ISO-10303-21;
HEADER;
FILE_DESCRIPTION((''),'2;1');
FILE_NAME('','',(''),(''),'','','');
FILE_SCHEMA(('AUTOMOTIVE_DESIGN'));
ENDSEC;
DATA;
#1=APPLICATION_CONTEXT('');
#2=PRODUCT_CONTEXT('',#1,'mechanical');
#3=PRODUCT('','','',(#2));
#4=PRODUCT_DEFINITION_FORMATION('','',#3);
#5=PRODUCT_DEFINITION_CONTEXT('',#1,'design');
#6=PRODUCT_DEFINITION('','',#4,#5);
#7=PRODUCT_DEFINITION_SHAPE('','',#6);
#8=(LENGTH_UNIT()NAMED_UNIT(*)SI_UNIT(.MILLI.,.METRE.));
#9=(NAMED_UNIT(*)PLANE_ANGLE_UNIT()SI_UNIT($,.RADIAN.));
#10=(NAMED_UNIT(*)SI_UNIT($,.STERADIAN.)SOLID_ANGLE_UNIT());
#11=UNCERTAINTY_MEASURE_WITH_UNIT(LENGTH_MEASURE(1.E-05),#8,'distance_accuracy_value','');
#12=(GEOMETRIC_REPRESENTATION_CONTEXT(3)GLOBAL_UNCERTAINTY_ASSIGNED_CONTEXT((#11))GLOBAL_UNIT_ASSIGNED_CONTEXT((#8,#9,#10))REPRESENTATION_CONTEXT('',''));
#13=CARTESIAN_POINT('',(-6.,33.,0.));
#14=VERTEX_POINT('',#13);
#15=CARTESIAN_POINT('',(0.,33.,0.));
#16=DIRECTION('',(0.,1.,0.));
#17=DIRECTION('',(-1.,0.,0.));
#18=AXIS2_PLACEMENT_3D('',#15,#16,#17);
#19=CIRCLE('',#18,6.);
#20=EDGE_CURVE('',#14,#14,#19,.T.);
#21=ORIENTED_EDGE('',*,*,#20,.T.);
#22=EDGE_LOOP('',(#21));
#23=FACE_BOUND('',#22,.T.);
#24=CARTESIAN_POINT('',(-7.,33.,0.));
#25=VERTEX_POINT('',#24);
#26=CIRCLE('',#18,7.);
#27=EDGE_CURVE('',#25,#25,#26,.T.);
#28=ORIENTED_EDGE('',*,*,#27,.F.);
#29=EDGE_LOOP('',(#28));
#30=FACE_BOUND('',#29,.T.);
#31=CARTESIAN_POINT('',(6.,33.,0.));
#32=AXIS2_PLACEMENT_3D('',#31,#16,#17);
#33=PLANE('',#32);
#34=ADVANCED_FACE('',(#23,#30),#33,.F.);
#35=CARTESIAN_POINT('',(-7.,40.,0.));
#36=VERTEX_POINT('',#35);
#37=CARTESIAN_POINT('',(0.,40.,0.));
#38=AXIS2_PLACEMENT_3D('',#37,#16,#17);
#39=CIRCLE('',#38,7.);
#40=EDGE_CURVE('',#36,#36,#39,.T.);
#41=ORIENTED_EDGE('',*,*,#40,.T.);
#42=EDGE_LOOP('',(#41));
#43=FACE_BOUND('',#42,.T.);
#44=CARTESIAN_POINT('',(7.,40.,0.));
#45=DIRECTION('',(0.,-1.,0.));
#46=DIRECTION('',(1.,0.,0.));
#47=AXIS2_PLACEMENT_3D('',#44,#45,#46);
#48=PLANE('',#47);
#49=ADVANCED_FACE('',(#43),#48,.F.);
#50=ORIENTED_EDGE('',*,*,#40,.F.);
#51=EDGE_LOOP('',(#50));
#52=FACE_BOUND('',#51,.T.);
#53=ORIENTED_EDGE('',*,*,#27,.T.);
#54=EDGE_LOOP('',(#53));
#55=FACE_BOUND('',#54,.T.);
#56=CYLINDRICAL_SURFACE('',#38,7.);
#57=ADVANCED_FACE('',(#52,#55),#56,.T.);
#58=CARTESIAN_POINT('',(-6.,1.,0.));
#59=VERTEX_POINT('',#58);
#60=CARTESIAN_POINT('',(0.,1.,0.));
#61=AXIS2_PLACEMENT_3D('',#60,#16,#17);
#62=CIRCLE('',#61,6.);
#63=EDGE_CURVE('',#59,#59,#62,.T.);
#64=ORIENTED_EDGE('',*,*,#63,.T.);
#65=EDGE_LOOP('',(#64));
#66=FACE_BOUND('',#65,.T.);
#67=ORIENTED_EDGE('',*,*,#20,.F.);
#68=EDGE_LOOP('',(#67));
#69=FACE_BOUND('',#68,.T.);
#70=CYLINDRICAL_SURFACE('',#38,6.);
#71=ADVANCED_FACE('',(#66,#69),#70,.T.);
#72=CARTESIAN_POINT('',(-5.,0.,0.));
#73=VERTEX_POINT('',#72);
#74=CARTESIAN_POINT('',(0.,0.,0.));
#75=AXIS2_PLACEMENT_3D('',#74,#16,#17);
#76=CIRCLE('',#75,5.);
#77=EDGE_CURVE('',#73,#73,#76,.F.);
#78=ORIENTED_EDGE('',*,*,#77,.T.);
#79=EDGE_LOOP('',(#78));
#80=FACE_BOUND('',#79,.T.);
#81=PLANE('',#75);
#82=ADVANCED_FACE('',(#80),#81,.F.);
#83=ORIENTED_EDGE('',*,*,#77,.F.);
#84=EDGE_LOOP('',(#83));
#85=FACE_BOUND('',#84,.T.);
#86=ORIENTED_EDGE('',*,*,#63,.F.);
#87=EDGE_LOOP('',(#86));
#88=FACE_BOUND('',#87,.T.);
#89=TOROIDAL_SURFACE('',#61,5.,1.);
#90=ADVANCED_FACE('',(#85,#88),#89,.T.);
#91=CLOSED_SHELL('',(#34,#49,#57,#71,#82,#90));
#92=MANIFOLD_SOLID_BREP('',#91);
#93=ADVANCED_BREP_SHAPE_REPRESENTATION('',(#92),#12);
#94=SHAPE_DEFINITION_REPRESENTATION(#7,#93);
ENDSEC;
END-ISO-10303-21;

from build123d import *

# Parameters (mm, degrees)
FILLET1_R = 1


with BuildPart() as part:
    # Sketch1 → Revolve1 (revolve)
    with BuildSketch(Plane.XY, mode=Mode.PRIVATE) as revolve1_sk:
        Polygon((0, 0), (6, 0), (6, 33), (7, 33), (7, 40), (0, 40), align=None)
    revolve(revolve1_sk.sketch.rotate(Axis((0, 40, 0), (0, -1, 0)), 180), axis=Axis((0, 40, 0), (0, -1, 0)))

    # Fillet1
    fillet1_edges = [part.edges().sort_by_distance(p)[0] for p in [
        (6, 0, 0),
    ]]
    fillet(fillet1_edges, radius=FILLET1_R)


solid = part.part
